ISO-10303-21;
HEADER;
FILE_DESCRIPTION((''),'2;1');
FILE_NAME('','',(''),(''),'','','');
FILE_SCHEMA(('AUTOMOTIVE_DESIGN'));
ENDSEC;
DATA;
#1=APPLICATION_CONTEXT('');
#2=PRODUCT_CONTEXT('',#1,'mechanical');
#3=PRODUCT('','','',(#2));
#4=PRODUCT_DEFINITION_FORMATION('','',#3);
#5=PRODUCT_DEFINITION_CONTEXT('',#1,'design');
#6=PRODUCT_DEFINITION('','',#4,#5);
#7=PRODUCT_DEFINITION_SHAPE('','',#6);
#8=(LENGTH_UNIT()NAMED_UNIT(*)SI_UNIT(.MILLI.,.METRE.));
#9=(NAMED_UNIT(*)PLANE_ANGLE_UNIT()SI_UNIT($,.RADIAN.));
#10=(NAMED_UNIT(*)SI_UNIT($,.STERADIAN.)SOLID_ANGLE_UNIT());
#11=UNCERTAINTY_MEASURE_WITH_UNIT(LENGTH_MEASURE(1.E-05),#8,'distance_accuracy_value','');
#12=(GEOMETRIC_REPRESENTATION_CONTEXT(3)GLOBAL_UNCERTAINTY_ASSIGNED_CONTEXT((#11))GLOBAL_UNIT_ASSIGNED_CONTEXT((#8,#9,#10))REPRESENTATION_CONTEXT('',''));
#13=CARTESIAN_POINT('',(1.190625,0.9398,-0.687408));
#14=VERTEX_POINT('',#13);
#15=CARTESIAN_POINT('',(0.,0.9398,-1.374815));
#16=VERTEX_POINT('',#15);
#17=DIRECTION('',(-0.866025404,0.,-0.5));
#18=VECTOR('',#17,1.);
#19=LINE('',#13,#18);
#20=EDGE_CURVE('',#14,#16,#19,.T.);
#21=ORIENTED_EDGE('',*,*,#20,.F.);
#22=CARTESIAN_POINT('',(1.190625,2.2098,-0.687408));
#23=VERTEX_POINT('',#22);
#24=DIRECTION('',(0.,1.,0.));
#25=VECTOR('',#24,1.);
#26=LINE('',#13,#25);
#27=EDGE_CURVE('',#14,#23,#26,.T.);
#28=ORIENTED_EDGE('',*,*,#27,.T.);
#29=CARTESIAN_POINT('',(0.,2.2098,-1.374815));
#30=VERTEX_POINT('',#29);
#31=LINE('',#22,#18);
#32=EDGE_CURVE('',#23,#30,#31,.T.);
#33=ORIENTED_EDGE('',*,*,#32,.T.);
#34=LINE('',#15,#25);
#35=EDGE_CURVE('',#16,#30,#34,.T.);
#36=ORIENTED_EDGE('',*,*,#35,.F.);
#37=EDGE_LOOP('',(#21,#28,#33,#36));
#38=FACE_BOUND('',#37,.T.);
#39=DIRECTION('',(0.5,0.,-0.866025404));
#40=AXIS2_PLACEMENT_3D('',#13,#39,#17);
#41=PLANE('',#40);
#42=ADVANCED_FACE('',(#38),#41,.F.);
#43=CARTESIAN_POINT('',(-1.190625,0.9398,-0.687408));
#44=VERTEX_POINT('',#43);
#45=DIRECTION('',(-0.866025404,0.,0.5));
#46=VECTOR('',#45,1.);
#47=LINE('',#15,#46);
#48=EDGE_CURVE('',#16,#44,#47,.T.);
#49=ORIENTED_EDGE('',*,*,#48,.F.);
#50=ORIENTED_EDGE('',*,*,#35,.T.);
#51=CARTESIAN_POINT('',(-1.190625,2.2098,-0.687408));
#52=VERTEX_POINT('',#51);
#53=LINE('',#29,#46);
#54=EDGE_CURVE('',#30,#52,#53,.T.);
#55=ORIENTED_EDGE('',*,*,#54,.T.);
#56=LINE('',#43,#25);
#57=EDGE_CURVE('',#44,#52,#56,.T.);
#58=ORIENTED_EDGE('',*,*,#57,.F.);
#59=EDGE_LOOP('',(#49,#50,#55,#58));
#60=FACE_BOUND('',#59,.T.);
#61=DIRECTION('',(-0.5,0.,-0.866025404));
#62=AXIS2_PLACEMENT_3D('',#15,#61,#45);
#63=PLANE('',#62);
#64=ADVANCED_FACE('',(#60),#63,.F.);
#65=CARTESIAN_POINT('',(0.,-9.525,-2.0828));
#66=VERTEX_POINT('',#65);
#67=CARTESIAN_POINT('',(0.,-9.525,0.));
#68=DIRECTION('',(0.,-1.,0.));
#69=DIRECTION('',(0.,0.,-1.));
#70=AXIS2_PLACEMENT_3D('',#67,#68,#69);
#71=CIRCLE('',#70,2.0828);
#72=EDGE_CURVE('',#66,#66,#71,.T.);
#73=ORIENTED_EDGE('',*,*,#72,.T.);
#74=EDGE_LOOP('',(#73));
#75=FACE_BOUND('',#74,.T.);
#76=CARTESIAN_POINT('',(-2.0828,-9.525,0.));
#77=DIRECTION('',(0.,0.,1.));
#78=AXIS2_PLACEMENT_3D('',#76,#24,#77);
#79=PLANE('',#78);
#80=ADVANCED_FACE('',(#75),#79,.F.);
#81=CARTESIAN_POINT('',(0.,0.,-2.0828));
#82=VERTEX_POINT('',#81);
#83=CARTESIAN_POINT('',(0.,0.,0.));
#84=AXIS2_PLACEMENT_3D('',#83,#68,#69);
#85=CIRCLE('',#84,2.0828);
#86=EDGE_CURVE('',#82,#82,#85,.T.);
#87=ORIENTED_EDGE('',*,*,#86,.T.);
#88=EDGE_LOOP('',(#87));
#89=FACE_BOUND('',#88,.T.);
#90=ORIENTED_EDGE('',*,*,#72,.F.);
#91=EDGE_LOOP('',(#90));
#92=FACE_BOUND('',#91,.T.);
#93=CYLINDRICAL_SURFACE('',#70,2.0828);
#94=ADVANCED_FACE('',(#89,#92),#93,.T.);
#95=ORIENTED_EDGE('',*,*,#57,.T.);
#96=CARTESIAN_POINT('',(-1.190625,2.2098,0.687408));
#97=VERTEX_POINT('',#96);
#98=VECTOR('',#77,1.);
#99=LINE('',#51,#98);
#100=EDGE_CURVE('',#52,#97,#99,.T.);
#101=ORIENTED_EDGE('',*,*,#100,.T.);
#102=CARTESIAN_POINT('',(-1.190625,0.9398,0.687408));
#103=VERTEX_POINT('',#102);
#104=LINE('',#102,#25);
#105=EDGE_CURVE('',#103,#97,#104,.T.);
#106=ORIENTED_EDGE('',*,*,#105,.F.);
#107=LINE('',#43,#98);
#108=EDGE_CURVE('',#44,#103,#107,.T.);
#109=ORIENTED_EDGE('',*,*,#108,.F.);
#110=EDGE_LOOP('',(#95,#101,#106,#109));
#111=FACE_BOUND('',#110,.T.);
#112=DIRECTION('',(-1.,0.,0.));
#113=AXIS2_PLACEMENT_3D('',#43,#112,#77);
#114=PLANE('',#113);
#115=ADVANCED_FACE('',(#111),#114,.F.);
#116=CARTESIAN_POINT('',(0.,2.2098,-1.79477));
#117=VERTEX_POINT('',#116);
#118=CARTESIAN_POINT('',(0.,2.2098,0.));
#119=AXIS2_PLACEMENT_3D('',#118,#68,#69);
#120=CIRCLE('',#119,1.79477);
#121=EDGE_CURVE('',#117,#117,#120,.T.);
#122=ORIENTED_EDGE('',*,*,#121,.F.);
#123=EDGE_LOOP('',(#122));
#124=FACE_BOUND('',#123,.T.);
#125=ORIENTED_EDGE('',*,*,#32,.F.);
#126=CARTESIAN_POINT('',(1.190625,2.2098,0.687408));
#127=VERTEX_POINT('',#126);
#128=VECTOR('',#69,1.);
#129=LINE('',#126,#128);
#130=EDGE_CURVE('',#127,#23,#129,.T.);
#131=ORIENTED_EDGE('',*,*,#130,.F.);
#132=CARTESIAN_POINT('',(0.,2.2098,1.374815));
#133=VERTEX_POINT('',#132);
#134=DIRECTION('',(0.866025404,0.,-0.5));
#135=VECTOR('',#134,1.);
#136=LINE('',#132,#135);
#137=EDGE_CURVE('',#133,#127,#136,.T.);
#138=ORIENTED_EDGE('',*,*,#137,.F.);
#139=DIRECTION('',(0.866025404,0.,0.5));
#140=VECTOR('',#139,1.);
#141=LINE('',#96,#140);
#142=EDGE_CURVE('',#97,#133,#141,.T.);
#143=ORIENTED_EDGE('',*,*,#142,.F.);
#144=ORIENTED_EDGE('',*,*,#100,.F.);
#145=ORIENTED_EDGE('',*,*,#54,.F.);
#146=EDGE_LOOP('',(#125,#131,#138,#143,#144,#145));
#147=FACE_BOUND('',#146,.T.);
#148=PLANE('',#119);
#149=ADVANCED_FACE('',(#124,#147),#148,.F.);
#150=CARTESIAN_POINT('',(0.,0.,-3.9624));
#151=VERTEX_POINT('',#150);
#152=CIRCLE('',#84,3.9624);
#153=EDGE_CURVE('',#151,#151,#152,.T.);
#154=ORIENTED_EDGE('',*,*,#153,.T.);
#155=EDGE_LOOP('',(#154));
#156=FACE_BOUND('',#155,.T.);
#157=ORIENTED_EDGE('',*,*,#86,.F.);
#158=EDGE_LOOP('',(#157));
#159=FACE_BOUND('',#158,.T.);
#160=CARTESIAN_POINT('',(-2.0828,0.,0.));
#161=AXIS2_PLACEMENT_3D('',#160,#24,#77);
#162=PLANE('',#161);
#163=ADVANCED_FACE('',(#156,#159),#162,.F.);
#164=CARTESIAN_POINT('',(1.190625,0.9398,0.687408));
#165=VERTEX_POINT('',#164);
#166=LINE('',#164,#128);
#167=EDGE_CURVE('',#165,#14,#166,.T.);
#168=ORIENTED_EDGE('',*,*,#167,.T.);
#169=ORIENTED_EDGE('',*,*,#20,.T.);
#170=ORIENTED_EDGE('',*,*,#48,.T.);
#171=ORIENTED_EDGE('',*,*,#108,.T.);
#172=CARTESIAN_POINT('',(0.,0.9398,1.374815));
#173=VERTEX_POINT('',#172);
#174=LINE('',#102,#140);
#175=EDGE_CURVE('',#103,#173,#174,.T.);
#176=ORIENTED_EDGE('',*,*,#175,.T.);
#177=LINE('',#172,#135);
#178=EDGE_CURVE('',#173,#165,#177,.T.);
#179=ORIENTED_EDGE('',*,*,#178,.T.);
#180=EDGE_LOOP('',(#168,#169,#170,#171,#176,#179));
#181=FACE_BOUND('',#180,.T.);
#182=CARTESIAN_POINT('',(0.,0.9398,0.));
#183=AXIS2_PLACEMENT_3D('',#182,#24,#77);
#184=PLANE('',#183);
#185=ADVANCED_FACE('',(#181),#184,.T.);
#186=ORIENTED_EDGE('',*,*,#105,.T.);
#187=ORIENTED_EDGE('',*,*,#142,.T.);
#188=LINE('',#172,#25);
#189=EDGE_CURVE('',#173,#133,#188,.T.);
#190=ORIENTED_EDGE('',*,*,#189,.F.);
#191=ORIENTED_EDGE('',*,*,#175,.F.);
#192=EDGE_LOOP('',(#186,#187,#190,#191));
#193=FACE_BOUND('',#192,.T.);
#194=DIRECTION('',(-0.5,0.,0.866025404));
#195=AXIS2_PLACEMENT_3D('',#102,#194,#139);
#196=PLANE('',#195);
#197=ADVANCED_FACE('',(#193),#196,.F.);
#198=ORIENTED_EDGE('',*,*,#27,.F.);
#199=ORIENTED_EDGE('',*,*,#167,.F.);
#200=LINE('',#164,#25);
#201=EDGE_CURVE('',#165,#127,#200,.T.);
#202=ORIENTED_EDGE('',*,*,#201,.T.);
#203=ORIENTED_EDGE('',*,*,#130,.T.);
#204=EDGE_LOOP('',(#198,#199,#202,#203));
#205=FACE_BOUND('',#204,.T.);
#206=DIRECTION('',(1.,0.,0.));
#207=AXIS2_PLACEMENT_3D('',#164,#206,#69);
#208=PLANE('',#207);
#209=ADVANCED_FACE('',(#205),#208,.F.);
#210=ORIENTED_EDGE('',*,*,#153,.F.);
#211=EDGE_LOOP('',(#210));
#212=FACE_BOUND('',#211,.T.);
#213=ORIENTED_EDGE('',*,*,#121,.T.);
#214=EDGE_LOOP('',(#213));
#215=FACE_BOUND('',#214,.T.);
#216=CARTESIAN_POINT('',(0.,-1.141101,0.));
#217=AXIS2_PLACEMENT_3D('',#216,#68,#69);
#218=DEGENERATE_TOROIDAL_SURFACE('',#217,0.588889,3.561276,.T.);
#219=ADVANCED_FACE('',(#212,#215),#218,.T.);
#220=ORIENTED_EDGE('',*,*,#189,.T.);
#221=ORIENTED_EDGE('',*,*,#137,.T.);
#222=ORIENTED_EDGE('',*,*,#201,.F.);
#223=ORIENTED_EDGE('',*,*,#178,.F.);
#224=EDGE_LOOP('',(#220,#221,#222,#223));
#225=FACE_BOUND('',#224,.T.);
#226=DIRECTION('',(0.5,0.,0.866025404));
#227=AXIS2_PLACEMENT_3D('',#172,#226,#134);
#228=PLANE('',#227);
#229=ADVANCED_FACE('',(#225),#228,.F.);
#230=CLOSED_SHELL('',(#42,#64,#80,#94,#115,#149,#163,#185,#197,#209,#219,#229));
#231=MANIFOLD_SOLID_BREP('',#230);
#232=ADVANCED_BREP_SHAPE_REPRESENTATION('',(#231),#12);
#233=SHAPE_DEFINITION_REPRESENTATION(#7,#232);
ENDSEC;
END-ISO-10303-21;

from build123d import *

# Parameters (mm, degrees)
CUT_EXTRUDE1_DEPTH = 1.27


with BuildPart() as part:
    # Sketch1 → Revolve1 (revolve)
    with BuildSketch(Plane.XY):
        with BuildLine():
            Line((-2.0828, 0), (-3.9624, 0))
            ThreePointArc((-3.9624, 0), (-3.131232795, 1.352726455), (-1.79477003, 2.2098))
            Line((-1.79477003, 2.2098), (0, 2.2098))
            Line((0, 2.2098), (0, -9.525))
            Line((0, -9.525), (-2.0828, -9.525))
            Line((-2.0828, -9.525), (-2.0828, 0))
        make_face()
    revolve(axis=Axis((0, -9.525, 0), (0, 1, 0)))

    # Sketch2 → Cut-Extrude1 (cut)
    with BuildSketch(Plane(origin=(0, 2.2098, 0), x_dir=(1, 0, 0), z_dir=(0, 1, 0))):
        Polygon((-1.190625, 0.687407664), (-1.190625, -0.687407664), (0, -1.374815329), (1.190625, -0.687407664), (1.190625, 0.687407664), (0, 1.374815329), align=None)
    extrude(amount=-CUT_EXTRUDE1_DEPTH, mode=Mode.SUBTRACT)


solid = part.part
